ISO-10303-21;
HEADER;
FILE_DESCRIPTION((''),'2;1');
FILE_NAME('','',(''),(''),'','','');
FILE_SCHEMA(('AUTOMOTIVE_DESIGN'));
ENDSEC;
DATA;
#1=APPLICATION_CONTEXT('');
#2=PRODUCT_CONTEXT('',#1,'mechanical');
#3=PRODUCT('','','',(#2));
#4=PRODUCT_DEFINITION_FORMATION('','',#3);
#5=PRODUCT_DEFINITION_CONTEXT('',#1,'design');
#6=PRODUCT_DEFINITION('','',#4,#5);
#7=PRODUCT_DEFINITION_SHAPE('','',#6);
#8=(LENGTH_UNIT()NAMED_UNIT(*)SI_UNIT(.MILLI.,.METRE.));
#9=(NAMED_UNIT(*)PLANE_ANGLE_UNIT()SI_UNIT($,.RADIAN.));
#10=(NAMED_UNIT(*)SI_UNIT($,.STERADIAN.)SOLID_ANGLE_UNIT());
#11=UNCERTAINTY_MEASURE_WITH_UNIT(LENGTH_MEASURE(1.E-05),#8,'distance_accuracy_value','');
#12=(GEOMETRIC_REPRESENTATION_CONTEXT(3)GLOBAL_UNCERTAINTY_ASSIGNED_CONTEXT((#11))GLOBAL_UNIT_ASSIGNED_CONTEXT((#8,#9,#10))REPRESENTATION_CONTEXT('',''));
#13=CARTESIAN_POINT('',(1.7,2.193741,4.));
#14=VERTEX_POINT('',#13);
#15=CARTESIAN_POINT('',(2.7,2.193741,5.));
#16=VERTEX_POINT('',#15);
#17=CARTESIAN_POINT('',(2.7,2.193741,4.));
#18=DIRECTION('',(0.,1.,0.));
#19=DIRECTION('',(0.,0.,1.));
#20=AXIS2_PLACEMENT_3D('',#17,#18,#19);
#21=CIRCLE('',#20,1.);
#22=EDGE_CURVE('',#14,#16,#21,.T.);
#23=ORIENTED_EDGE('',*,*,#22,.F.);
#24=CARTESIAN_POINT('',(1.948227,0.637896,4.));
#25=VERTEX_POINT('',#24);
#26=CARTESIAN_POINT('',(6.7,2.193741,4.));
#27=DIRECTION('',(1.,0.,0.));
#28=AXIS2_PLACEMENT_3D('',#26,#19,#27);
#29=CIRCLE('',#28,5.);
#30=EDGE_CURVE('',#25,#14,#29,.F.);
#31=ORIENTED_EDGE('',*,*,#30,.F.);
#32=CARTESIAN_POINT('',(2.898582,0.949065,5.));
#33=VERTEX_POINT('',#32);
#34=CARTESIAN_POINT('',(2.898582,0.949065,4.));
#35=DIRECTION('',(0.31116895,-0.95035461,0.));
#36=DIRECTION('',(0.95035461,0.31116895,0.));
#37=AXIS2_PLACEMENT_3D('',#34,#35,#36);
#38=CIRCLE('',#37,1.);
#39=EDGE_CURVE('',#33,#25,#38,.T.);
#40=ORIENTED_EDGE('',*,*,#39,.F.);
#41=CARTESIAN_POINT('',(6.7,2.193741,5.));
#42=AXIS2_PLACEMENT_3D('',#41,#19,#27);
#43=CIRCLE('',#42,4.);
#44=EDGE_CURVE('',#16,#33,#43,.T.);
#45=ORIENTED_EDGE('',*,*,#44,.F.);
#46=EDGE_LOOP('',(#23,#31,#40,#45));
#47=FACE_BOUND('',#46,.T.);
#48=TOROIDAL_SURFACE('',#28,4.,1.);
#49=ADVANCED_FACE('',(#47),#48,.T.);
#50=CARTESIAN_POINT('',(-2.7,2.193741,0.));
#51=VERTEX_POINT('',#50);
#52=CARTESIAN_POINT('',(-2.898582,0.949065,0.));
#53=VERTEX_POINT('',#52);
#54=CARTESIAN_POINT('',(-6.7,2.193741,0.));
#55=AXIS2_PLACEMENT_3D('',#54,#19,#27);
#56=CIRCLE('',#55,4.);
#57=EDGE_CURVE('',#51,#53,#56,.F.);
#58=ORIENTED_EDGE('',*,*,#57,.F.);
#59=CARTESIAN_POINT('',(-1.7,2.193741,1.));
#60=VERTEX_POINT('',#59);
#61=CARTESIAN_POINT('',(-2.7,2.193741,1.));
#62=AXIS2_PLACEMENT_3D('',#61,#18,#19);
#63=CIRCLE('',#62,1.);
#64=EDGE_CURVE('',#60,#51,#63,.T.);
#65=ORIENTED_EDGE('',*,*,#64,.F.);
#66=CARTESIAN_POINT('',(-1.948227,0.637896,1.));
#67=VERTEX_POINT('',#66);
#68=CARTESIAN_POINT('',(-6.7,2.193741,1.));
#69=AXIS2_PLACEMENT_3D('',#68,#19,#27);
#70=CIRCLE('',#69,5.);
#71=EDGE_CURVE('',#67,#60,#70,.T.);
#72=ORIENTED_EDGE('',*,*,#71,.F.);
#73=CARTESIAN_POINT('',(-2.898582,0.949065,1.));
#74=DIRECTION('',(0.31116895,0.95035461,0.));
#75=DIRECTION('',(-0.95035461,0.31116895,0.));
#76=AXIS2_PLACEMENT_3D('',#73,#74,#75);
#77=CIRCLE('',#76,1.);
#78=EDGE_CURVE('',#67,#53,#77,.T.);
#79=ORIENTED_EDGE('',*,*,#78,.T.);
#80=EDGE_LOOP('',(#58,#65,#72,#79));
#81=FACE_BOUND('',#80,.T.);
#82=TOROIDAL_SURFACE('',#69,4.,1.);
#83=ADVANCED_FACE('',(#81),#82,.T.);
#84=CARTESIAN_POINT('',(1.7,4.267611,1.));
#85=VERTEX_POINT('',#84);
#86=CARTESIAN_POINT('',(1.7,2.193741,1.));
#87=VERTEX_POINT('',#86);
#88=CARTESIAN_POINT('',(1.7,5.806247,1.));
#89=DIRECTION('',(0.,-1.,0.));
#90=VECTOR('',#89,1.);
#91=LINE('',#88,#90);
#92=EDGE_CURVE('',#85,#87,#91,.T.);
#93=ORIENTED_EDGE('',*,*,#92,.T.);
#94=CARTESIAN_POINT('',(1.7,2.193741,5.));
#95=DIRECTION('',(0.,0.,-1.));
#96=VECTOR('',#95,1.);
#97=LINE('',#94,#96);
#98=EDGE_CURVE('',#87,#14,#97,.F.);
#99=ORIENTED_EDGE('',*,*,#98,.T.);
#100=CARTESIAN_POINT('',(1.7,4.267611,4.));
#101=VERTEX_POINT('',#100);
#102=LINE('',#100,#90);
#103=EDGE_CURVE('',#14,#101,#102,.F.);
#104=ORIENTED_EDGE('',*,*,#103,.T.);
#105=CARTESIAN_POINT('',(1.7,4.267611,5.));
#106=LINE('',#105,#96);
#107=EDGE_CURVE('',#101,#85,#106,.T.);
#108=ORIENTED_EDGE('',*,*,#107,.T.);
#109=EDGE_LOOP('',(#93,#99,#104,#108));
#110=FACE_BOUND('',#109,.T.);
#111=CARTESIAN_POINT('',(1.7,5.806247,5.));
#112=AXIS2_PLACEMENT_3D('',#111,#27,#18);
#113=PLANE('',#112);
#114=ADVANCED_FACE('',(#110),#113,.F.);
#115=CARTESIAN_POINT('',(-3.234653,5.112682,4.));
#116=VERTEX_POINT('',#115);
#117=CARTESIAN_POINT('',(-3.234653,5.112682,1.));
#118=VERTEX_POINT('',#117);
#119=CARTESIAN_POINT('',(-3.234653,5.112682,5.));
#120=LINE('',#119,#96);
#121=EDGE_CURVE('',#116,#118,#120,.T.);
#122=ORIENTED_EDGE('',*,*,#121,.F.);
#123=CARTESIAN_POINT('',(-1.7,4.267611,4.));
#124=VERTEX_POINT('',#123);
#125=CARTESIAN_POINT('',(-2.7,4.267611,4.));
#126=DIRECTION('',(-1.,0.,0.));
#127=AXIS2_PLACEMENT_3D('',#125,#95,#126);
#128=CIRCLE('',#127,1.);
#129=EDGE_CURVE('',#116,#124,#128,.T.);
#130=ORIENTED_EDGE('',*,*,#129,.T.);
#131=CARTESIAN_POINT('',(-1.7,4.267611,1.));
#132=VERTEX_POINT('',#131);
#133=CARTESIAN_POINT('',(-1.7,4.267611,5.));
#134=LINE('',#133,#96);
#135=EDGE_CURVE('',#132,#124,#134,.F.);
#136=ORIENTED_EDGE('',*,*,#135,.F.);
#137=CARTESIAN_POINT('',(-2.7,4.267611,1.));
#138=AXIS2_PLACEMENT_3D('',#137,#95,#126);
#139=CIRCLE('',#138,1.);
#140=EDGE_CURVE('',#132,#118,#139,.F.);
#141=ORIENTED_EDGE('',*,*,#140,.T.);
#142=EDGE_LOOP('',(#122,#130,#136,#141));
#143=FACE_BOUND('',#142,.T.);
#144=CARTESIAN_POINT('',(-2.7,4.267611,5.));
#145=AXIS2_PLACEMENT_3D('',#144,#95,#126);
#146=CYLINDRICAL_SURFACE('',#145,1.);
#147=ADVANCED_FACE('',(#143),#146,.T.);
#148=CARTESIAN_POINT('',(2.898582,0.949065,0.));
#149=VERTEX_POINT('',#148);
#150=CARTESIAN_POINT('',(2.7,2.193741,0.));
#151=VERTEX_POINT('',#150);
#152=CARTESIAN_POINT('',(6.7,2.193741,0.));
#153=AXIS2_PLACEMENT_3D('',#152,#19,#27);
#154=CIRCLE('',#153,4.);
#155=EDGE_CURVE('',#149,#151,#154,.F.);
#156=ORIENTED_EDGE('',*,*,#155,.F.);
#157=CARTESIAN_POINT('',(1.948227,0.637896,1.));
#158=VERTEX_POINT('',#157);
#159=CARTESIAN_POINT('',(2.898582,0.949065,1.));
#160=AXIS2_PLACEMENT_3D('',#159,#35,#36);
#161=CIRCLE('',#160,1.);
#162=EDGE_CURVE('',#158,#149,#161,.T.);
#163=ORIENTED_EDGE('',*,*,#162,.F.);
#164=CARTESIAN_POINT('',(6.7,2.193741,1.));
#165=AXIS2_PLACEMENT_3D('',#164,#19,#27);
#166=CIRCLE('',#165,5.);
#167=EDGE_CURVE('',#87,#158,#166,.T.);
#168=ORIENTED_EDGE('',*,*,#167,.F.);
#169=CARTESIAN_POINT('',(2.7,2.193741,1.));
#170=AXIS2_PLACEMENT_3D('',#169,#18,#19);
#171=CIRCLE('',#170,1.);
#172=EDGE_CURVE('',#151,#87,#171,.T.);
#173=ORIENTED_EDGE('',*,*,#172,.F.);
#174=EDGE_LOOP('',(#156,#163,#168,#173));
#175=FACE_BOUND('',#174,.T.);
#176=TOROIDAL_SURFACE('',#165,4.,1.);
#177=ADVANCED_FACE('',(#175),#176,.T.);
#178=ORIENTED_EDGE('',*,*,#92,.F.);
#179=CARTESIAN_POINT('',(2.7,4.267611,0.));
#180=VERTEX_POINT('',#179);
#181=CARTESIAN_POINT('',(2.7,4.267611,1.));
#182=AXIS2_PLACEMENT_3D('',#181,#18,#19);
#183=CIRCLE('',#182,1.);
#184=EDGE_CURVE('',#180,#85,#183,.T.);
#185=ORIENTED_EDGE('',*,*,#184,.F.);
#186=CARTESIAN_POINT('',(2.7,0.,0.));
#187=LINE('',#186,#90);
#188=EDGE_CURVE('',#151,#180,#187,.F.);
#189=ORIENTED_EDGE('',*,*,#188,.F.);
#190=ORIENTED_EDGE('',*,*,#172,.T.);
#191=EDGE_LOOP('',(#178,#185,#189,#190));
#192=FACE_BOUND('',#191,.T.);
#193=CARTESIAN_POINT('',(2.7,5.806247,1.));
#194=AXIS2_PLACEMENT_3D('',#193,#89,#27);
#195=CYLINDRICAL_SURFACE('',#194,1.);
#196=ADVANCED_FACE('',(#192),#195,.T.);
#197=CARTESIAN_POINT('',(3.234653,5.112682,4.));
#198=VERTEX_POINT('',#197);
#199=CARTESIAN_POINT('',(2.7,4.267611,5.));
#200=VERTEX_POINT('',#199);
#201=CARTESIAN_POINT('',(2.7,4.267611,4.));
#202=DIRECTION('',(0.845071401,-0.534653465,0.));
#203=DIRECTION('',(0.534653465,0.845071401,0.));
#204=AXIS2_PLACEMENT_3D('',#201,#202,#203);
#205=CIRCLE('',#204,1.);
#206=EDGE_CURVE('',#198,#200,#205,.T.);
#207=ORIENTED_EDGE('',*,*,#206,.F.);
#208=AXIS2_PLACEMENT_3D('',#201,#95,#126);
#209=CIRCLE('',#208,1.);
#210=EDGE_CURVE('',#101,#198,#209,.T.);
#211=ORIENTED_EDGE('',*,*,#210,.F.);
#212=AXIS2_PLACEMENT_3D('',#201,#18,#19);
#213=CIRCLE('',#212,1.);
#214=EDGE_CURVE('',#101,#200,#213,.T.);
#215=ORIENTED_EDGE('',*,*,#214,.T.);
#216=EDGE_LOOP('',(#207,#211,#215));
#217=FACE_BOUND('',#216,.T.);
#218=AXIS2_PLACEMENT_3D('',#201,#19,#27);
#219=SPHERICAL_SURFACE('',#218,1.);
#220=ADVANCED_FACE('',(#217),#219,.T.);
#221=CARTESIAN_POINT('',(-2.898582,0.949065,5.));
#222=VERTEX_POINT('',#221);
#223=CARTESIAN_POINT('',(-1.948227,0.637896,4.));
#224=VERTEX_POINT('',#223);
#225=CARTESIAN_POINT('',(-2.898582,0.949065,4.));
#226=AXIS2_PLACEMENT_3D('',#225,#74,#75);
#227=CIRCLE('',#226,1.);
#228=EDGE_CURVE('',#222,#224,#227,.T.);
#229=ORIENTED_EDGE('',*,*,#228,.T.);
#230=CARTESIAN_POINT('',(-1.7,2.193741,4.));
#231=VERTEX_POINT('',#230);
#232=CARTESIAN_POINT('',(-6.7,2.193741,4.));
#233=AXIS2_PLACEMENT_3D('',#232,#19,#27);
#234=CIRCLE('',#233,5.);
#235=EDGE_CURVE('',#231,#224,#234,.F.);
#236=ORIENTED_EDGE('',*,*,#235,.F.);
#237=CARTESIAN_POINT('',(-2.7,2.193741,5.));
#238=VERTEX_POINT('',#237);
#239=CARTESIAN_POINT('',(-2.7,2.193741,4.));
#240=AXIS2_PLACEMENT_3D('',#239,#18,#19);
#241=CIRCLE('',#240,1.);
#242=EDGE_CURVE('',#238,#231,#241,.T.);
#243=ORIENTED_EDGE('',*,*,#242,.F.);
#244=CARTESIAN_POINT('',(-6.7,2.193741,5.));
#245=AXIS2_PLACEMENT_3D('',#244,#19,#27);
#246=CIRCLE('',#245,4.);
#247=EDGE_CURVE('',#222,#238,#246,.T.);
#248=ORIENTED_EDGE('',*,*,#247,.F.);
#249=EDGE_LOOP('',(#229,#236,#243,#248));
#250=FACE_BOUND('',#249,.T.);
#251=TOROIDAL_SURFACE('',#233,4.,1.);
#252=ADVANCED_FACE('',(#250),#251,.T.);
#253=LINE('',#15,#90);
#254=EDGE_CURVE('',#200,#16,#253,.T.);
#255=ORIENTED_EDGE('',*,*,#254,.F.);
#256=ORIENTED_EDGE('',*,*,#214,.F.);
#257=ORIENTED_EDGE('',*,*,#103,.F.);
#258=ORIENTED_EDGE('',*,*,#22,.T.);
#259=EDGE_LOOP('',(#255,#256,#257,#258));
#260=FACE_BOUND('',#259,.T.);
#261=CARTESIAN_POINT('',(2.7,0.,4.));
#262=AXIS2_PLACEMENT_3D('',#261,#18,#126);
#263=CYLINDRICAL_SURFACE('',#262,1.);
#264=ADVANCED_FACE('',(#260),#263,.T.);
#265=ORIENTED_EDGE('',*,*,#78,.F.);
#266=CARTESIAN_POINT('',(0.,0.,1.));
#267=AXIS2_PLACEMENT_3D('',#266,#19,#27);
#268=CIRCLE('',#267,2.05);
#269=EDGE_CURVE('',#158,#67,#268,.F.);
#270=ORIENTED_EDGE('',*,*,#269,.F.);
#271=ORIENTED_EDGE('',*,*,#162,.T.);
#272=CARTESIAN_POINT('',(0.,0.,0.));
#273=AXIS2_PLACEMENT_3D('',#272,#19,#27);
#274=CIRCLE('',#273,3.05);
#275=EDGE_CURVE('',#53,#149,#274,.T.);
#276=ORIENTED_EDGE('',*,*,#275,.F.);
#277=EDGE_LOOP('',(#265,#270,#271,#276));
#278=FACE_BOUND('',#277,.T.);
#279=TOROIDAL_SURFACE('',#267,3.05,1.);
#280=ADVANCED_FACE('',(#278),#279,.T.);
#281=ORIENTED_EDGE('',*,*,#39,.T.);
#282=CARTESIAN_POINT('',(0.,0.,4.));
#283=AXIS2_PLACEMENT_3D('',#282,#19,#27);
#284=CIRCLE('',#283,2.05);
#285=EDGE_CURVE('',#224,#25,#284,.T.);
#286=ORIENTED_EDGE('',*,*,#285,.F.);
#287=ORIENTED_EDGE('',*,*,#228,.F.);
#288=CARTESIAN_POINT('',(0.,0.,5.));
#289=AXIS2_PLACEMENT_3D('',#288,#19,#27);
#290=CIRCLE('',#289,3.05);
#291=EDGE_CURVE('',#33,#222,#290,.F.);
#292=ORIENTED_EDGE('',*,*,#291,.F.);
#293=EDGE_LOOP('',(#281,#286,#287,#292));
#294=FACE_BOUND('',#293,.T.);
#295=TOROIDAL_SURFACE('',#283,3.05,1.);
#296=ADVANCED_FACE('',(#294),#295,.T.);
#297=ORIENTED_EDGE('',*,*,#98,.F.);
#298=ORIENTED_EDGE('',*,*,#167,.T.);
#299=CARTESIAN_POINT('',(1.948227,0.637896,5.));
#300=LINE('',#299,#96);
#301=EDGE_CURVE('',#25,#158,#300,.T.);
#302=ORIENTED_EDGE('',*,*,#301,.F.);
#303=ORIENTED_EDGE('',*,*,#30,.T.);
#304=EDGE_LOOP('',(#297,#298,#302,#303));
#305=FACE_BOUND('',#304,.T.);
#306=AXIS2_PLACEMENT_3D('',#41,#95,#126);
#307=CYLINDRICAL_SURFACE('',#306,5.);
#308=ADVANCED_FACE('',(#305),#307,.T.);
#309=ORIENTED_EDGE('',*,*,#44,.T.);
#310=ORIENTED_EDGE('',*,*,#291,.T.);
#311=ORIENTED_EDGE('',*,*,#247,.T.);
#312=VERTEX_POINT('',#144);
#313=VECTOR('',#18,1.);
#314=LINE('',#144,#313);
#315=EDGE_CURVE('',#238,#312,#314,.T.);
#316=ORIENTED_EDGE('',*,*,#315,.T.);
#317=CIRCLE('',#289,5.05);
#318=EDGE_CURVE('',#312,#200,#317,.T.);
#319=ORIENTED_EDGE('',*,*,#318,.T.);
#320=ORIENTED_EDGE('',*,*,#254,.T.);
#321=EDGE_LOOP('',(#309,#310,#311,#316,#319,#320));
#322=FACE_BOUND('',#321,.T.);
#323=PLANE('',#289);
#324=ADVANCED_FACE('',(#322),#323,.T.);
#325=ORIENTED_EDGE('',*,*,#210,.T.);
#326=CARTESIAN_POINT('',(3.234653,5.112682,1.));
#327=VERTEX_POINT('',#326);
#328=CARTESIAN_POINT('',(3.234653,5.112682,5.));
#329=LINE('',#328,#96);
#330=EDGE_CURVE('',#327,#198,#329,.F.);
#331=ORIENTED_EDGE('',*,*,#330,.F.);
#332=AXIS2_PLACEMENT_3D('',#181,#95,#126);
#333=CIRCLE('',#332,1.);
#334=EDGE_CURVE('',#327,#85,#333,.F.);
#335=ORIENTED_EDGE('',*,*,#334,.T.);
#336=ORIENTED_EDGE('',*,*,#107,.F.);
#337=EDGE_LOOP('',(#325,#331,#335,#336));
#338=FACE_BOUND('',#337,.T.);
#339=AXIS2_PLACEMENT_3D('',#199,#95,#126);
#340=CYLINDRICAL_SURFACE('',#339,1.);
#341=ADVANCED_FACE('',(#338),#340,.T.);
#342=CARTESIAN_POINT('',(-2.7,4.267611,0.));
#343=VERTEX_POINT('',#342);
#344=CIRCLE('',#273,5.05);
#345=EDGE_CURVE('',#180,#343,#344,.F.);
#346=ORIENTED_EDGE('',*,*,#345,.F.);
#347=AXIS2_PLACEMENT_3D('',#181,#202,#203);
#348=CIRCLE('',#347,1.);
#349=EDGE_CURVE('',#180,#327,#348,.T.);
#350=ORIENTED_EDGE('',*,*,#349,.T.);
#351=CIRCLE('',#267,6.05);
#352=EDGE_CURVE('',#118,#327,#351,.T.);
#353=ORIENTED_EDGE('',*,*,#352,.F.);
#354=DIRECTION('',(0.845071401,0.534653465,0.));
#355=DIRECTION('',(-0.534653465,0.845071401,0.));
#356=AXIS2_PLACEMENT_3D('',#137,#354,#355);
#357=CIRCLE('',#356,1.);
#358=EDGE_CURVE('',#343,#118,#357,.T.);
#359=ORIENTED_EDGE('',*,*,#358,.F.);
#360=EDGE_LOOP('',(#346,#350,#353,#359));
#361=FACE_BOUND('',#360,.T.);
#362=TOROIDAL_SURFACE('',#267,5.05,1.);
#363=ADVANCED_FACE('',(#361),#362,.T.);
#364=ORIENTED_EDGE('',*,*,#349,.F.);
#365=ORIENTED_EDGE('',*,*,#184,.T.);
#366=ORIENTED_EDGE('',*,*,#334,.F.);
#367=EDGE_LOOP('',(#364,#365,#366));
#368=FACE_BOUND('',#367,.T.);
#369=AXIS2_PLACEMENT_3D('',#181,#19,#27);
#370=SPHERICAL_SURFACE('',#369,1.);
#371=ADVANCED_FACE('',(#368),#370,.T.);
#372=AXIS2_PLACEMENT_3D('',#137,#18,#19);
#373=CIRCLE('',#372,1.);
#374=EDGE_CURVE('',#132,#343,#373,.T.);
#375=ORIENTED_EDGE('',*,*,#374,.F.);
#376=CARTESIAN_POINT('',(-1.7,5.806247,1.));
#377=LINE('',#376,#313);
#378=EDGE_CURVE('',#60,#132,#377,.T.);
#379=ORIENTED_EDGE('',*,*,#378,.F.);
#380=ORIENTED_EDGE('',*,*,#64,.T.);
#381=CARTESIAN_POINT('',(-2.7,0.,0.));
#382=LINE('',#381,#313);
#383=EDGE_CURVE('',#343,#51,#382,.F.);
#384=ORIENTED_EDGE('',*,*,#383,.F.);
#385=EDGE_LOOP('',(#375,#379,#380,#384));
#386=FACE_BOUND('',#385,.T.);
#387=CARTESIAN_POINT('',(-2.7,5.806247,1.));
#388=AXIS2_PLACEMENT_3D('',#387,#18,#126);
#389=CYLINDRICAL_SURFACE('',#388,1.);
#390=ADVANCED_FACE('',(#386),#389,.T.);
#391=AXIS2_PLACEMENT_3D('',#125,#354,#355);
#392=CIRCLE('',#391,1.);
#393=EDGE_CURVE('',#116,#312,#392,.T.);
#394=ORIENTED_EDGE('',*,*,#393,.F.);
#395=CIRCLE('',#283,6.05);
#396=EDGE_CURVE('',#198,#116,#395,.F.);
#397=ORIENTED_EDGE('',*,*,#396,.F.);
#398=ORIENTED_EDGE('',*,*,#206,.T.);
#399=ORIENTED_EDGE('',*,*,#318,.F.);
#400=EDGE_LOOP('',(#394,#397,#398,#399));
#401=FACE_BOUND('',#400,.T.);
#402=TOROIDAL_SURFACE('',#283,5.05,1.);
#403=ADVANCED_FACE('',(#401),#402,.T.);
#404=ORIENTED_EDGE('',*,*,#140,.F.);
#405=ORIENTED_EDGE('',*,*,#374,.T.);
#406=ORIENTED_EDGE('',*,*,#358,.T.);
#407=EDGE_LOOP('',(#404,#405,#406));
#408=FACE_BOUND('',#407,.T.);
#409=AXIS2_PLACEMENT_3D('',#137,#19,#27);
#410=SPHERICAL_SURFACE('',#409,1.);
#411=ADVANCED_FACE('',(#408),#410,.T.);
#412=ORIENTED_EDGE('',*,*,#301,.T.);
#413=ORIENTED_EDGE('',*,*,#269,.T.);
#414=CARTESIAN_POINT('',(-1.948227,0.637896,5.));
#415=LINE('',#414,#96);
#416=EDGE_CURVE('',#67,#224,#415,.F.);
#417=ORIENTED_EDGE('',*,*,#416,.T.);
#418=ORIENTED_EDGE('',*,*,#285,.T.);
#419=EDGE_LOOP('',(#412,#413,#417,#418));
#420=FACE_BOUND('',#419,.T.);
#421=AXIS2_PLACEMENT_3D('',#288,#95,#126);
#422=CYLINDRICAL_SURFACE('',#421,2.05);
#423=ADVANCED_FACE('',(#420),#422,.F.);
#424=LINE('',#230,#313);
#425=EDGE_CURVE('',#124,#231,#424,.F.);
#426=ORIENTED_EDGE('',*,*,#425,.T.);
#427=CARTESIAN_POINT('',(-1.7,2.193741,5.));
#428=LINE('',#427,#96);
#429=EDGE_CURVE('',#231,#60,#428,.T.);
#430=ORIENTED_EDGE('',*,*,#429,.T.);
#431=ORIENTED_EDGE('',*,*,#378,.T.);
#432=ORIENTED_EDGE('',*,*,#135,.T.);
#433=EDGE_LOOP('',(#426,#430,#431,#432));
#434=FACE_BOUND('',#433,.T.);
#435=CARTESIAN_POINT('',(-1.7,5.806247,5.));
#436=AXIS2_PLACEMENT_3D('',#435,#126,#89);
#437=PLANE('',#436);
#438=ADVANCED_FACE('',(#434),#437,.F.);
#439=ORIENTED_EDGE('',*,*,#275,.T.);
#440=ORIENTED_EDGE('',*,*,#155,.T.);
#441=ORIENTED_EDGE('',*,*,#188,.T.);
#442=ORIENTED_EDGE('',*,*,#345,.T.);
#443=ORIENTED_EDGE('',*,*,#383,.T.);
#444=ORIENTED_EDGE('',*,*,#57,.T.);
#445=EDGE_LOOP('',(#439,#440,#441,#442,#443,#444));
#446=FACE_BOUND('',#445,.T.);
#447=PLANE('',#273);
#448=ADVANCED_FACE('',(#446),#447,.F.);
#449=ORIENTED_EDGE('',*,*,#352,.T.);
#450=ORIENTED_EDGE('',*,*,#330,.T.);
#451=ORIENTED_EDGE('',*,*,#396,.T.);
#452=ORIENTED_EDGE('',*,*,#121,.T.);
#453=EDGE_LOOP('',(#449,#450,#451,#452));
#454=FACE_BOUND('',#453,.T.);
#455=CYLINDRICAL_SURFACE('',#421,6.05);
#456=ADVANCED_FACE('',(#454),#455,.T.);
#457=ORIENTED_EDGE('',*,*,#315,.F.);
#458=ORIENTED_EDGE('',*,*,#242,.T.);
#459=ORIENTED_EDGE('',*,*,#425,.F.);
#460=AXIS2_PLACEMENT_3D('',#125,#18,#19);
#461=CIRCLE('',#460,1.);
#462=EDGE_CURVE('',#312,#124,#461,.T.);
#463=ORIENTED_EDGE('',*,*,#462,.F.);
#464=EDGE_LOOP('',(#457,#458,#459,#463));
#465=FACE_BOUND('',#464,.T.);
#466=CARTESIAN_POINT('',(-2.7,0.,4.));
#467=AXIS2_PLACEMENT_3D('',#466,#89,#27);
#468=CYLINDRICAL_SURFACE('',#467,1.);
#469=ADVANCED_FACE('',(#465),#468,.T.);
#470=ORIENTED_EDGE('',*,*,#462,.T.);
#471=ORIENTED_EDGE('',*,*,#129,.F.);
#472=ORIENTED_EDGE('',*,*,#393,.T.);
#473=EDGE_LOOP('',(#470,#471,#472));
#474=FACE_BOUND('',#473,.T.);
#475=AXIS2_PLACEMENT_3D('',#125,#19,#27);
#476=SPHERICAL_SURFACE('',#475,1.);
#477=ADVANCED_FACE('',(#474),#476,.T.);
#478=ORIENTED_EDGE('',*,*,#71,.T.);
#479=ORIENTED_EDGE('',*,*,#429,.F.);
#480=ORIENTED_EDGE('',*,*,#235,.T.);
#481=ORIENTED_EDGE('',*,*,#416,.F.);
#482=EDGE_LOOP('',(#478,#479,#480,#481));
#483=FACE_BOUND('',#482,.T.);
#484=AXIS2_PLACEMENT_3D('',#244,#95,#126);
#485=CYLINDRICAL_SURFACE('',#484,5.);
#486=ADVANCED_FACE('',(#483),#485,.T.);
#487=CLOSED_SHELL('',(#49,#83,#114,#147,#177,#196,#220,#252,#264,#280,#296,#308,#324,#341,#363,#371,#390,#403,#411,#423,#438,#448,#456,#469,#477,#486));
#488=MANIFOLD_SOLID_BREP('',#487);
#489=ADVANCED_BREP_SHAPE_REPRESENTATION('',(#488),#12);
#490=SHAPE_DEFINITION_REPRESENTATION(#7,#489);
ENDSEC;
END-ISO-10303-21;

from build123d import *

# Parameters (mm, degrees)
BOSS_EXTRUDE1_DEPTH = 5
FILLET1_R           = 5
FILLET3_R           = 1
FILLET4_R           = 1


with BuildPart() as part:
    # Sketch1 → Boss-Extrude1 (new body)
    with BuildSketch(Plane.XY):
        with BuildLine():
            Line((-1.7, 5.806246636), (-1.7, 1.145643924))
            ThreePointArc((-1.7, 1.145643924), (0, -2.05), (1.7, 1.145643924))
            Line((1.7, 1.145643924), (1.7, 5.806246636))
            ThreePointArc((1.7, 5.806246636), (0, -6.05), (-1.7, 5.806246636))
        make_face()
    extrude(amount=BOSS_EXTRUDE1_DEPTH)

    # Fillet1
    fillet1_edges = [part.edges().sort_by_distance(p)[0] for p in [
        (-1.7, 1.145643924, 2.5),
        (1.7, 1.145643924, 2.5),
    ]]
    fillet(fillet1_edges, radius=FILLET1_R)

    # Fillet3
    fillet3_edges = [part.edges().sort_by_distance(p)[0] for p in [
        (-1.7, 5.806246636, 2.5),
        (1.7, 5.806246636, 2.5),
    ]]
    fillet(fillet3_edges, radius=FILLET3_R)

    # Fillet4
    fillet4_edges = [part.edges().sort_by_distance(p)[0] for p in [
        (0, -2.05, 0),
        (0, -2.05, 5),
        (-1.7, 3.230675835, 0),
        (-1.762446697, 1.405980108, 0),
        (1.762446697, 1.405980108, 0),
        (-1.7, 3.230675835, 5),
        (-1.762446697, 1.405980108, 5),
        (1.762446697, 1.405980108, 5),
        (1.7, 3.230675835, 0),
        (1.7, 3.230675835, 5),
        (0, -6.05, 0),
        (-2.217637826, 5.143582452, 0),
        (2.217637826, 5.143582452, 0),
        (0, -6.05, 5),
        (-2.217637826, 5.143582452, 5),
        (2.217637826, 5.143582452, 5),
    ]]
    fillet(fillet4_edges, radius=FILLET4_R)


solid = part.part
